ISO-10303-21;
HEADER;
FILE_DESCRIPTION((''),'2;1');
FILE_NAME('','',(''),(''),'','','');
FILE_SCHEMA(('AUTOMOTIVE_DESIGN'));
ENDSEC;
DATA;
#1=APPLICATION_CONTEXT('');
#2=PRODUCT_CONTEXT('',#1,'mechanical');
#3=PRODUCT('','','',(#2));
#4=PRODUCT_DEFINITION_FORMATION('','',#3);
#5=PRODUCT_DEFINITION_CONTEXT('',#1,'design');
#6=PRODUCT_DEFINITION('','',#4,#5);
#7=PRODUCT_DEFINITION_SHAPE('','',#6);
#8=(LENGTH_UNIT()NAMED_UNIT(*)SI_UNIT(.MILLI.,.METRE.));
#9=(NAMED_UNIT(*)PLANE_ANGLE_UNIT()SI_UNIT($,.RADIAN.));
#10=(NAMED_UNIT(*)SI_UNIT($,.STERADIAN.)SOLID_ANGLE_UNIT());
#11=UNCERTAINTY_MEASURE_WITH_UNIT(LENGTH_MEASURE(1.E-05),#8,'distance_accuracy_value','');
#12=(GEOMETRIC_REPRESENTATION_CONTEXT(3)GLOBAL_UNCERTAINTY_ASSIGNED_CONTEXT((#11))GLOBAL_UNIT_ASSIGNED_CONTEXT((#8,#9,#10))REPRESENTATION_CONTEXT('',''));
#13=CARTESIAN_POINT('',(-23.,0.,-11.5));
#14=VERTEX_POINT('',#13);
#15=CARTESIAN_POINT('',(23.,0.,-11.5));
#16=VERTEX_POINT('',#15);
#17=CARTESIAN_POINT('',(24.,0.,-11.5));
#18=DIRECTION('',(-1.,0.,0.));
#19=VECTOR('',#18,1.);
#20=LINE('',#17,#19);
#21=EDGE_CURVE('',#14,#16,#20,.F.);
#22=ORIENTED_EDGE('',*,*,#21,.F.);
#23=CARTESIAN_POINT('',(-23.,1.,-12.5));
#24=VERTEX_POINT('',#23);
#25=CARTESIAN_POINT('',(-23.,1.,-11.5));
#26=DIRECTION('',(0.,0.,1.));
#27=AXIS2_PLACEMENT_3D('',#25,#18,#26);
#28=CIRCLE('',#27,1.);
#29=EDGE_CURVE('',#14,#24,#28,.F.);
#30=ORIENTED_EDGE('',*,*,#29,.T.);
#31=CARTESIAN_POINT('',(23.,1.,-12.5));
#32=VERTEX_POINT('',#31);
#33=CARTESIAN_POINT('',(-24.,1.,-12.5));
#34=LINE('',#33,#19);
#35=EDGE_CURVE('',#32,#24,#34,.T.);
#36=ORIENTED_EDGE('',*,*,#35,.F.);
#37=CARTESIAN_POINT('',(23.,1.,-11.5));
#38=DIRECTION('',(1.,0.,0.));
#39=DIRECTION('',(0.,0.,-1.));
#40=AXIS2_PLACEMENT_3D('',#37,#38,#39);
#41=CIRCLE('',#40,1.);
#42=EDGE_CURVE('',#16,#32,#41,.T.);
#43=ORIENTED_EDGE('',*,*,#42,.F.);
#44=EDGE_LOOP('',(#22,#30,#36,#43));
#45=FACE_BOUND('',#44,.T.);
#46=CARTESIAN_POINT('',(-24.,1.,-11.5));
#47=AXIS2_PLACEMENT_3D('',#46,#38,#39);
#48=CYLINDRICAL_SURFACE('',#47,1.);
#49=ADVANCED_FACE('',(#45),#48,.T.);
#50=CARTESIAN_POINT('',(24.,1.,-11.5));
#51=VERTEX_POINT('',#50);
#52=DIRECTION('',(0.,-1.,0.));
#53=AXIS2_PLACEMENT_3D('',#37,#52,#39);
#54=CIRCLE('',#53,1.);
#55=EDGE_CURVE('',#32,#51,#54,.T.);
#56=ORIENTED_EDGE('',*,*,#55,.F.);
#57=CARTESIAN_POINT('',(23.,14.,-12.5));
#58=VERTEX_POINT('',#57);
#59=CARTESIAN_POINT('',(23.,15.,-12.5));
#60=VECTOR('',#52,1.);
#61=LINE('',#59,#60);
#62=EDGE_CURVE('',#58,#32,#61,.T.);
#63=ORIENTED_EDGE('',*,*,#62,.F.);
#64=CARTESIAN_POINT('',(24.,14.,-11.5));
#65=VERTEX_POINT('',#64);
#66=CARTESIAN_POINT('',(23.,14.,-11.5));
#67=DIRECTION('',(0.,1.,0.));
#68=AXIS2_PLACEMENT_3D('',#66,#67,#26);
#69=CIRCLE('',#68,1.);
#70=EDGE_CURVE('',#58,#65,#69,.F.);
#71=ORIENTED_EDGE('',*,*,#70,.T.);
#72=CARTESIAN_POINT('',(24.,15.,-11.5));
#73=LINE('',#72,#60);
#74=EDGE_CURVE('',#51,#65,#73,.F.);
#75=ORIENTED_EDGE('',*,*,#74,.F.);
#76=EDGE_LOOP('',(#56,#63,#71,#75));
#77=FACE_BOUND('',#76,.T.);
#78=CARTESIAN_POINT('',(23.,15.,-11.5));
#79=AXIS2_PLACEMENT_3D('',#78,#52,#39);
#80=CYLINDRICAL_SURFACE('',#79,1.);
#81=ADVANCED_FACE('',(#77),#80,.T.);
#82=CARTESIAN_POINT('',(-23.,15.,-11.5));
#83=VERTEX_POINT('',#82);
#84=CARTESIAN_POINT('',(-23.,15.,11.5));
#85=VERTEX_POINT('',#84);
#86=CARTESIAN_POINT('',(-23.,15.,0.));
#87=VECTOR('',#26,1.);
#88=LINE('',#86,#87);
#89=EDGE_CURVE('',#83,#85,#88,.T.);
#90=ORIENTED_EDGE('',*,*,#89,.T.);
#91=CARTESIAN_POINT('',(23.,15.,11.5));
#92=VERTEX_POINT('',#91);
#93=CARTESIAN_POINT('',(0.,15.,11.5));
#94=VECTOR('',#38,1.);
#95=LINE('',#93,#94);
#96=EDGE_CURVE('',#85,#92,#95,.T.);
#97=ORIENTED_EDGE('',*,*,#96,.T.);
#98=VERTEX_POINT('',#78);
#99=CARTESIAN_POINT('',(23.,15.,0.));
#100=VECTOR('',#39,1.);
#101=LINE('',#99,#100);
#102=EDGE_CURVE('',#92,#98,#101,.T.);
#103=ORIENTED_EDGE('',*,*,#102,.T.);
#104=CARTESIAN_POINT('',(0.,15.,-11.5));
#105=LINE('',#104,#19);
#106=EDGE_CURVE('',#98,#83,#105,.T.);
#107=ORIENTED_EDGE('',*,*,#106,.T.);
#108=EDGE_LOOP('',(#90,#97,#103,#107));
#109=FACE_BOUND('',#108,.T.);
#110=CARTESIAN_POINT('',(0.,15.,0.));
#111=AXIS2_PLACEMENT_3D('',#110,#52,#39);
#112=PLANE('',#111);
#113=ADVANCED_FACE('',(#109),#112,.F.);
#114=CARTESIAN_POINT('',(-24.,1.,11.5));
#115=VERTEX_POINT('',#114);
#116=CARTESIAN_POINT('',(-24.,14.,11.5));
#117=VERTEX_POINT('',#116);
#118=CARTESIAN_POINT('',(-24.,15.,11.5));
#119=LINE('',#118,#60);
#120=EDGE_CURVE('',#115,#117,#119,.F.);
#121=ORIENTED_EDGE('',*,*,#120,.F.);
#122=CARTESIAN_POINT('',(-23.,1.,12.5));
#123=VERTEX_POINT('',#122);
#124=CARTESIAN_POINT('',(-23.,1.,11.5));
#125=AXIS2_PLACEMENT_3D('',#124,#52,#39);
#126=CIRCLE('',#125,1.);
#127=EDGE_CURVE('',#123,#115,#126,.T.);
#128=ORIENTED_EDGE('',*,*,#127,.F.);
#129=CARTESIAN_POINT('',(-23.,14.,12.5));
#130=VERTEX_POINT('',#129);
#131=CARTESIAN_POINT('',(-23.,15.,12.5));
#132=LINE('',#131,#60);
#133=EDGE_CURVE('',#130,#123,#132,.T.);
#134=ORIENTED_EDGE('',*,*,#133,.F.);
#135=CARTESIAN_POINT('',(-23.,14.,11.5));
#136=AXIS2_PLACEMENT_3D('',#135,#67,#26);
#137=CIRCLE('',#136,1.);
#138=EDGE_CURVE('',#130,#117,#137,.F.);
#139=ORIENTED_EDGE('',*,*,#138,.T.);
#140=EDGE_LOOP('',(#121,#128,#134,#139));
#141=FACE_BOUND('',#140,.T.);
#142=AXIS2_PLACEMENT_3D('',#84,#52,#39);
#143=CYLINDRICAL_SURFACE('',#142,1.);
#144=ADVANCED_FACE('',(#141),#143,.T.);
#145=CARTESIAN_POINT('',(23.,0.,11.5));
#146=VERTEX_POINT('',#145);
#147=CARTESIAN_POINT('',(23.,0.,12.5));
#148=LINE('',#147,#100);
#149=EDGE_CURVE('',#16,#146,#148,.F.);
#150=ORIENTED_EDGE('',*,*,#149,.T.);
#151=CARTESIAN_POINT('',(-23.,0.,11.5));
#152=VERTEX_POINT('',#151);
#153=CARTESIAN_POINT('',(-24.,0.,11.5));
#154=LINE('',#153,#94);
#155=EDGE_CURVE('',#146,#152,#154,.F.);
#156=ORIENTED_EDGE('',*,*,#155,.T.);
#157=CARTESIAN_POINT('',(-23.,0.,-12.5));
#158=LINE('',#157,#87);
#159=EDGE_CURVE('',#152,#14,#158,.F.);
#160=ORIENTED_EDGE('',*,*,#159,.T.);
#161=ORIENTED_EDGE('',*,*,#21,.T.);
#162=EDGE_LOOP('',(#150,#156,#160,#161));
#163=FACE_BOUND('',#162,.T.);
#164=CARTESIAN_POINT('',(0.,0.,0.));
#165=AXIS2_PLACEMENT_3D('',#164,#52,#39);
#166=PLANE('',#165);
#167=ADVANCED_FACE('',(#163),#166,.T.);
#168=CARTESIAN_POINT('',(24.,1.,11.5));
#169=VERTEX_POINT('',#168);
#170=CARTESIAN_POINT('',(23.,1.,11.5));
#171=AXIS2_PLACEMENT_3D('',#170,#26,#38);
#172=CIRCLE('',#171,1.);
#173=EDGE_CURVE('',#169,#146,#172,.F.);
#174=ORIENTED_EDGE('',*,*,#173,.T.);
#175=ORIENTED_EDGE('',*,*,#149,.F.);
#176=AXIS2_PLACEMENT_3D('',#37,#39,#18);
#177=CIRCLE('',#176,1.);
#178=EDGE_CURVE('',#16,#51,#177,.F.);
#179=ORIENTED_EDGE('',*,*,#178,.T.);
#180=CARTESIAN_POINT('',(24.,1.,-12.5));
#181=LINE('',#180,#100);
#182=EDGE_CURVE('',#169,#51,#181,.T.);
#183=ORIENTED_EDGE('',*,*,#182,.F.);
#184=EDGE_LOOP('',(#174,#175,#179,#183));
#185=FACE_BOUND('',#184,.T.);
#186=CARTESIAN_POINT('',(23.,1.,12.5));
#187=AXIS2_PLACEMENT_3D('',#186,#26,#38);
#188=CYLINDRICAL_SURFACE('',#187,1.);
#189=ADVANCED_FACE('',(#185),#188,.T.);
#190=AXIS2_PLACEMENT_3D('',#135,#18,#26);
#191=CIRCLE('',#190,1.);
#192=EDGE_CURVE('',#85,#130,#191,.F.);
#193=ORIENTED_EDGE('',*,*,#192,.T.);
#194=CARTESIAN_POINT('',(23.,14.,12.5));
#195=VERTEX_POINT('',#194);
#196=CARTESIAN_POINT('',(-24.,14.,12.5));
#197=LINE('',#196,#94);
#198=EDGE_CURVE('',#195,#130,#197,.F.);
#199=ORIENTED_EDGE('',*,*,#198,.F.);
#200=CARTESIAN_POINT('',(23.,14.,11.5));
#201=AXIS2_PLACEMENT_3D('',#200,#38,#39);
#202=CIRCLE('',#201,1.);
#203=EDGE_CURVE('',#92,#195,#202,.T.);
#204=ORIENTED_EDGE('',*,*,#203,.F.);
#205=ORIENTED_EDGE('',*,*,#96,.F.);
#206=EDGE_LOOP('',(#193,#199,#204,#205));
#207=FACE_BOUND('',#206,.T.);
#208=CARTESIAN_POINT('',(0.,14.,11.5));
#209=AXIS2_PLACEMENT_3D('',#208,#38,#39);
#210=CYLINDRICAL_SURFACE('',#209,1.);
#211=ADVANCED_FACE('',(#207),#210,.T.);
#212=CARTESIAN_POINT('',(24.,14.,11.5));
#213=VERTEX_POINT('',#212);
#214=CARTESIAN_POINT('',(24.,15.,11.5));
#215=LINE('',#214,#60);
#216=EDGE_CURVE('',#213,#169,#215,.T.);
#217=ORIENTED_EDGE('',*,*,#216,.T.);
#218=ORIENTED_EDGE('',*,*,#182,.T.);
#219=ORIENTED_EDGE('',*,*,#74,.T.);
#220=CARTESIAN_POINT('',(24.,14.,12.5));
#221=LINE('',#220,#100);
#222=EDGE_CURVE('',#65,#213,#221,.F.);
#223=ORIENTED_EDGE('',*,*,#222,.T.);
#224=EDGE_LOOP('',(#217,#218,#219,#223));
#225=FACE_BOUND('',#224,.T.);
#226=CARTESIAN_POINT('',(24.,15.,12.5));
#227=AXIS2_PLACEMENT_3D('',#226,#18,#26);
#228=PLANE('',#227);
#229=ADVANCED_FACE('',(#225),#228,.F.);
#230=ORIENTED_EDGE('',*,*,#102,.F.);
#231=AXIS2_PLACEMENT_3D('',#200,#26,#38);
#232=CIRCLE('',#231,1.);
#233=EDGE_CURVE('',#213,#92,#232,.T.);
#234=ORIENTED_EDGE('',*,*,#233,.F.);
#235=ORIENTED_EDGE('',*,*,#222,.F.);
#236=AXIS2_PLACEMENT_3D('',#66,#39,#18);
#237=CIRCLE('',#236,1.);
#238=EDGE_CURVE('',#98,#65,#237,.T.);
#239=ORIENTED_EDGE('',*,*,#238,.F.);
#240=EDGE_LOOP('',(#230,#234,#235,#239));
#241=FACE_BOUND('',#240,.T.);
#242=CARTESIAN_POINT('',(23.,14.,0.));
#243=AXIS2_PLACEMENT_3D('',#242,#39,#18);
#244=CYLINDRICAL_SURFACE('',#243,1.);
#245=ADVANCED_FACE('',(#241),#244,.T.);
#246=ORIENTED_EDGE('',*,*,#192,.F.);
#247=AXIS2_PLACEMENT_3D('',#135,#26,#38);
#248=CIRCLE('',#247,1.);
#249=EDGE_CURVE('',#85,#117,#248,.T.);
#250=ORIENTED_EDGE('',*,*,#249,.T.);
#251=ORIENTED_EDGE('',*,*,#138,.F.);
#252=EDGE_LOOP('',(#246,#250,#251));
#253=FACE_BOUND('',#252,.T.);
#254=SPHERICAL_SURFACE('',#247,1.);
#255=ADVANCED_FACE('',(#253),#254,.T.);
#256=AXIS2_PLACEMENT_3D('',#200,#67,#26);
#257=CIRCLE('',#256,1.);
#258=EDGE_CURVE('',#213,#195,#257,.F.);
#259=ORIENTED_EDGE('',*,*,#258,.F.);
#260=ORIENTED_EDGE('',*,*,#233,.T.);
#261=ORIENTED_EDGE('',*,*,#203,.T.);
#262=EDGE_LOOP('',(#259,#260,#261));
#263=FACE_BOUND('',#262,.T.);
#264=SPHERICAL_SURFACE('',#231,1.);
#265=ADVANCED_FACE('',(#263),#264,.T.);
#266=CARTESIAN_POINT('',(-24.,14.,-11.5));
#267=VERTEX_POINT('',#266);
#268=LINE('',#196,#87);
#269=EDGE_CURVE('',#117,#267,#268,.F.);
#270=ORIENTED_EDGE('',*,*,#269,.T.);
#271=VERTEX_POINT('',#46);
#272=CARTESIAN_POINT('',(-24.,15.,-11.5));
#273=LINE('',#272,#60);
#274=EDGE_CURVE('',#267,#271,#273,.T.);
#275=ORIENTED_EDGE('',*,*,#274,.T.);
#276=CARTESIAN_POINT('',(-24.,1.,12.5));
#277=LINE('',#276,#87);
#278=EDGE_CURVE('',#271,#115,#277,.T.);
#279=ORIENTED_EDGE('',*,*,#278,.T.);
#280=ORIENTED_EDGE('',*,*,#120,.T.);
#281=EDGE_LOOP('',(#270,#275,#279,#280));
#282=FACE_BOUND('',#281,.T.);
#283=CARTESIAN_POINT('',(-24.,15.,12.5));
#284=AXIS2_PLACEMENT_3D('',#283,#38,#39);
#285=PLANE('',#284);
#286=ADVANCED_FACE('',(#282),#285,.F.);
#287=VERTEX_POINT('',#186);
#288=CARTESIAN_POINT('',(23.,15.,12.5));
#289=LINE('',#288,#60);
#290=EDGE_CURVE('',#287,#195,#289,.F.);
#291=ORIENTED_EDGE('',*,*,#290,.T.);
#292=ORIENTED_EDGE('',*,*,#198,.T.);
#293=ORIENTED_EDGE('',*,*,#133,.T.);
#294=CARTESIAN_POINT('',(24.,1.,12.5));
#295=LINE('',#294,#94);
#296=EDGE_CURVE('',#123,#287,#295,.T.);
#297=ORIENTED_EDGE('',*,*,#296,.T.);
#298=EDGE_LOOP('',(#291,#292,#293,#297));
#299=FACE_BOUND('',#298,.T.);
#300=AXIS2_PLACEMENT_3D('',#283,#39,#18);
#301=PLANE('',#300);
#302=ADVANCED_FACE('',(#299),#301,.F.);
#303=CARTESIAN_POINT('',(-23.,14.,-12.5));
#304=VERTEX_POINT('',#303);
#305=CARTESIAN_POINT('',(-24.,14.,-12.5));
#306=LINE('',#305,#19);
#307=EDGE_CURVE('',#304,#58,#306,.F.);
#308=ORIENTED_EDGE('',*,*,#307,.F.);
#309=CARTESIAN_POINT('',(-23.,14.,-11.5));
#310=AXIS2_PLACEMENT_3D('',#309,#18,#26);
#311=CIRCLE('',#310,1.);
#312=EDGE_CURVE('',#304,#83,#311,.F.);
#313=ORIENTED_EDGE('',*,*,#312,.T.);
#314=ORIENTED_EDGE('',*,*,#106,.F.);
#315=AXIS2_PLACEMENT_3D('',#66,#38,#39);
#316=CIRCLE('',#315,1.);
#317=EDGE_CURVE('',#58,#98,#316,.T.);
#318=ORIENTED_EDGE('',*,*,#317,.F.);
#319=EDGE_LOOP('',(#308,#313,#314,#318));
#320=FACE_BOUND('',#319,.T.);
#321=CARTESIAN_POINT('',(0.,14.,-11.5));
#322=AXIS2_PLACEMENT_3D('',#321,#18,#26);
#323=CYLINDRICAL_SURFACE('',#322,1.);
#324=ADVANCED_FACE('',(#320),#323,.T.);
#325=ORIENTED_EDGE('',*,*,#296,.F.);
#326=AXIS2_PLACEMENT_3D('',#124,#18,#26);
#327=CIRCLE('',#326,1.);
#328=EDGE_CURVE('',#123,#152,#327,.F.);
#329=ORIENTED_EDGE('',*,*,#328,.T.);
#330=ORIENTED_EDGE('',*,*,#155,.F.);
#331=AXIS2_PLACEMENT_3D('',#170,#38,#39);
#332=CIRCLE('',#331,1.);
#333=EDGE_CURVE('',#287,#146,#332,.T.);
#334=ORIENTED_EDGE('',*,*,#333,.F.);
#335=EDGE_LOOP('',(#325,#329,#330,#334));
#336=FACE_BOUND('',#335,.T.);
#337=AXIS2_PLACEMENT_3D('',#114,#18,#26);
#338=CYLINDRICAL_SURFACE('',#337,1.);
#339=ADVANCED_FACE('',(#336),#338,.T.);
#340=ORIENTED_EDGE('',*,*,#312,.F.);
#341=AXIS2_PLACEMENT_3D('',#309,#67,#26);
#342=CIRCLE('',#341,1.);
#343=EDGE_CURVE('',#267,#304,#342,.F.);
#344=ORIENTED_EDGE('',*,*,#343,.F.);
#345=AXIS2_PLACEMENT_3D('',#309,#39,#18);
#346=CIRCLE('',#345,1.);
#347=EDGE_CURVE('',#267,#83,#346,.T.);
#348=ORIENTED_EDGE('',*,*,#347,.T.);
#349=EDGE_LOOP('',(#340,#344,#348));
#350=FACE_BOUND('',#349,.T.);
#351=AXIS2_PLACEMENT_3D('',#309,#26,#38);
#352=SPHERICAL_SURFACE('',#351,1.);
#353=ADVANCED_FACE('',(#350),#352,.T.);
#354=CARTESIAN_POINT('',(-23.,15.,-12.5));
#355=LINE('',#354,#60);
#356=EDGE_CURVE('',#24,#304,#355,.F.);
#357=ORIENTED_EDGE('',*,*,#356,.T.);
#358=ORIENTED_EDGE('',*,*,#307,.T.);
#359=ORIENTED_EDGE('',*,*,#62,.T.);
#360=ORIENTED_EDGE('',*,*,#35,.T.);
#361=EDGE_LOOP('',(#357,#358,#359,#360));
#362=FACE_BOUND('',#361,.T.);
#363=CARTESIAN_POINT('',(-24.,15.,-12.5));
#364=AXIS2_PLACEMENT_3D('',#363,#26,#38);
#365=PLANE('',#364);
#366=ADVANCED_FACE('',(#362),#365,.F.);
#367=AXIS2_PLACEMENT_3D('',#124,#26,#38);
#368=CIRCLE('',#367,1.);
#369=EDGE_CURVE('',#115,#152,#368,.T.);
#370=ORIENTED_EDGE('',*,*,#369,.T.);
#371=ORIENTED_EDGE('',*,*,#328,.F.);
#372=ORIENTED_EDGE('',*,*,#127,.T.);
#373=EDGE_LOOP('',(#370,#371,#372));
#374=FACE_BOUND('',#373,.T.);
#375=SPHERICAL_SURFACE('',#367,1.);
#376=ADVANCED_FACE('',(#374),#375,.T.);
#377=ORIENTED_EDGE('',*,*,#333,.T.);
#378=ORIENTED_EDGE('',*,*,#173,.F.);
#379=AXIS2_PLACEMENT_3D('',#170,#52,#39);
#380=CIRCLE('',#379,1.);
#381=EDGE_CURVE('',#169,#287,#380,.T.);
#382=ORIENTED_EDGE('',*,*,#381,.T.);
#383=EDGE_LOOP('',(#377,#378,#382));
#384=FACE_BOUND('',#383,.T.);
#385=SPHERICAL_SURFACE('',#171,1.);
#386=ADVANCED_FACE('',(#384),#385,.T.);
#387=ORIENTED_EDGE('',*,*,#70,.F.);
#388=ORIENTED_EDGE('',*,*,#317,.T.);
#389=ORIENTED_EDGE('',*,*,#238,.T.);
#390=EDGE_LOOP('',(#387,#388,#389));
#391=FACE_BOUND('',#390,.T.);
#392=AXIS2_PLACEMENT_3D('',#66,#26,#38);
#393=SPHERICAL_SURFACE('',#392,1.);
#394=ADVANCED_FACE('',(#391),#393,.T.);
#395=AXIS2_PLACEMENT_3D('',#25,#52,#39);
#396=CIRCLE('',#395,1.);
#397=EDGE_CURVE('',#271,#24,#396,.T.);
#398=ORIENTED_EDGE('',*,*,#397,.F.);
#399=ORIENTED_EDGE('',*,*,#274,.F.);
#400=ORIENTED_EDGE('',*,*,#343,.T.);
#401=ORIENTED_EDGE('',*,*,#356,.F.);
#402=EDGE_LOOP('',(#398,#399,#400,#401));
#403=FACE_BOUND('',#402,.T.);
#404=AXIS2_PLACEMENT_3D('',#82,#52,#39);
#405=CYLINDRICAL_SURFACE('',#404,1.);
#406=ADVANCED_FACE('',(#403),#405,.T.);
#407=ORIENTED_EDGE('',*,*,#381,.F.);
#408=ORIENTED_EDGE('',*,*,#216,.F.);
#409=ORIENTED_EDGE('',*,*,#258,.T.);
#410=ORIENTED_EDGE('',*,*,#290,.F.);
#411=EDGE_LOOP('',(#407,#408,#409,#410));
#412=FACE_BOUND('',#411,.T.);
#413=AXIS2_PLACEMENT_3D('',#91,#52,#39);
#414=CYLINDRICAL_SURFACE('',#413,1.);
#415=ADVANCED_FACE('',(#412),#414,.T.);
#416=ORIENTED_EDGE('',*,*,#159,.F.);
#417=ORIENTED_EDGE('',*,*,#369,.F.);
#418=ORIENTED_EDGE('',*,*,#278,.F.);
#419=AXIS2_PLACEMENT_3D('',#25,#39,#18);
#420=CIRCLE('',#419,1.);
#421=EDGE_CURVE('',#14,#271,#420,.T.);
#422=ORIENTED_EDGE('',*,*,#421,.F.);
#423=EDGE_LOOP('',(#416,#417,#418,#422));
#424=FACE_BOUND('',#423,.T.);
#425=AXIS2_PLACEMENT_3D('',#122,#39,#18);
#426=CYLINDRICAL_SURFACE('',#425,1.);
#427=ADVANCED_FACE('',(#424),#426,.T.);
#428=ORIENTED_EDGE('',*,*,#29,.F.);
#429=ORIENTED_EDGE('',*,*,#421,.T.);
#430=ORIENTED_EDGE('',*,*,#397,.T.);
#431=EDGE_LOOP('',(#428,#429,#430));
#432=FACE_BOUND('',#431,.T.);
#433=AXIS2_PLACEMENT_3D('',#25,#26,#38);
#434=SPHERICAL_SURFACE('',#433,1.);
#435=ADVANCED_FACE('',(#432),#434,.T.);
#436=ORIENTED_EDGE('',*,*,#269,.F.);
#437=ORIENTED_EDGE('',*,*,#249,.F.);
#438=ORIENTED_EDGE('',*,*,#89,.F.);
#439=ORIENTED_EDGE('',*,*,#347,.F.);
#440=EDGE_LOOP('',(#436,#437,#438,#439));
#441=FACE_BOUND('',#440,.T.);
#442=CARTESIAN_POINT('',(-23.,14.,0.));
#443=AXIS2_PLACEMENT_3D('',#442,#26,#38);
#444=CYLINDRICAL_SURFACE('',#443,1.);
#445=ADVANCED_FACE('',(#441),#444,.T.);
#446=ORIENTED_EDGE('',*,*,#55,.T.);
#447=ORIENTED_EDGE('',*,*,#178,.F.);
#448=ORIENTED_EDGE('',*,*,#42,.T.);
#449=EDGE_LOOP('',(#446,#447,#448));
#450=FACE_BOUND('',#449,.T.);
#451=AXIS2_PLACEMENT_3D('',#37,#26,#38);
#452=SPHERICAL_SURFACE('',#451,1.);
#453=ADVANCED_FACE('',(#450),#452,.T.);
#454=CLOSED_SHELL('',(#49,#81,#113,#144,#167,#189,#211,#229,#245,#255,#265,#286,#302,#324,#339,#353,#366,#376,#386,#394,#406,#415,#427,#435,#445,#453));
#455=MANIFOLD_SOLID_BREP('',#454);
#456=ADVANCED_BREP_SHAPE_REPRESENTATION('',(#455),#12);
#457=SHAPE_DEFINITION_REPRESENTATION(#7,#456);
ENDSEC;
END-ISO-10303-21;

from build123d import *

# Parameters (mm, degrees)
SKETCH1_W           = 48
SKETCH1_H           = 25
BOSS_EXTRUDE1_DEPTH = 15
FILLET1_R           = 1


with BuildPart() as part:
    # Sketch1 → Boss-Extrude1 (new body)
    with BuildSketch(Plane(origin=(0, 0, 0), x_dir=(1, 0, 0), z_dir=(0, 1, 0))):
        Rectangle(SKETCH1_W, SKETCH1_H)
    extrude(amount=BOSS_EXTRUDE1_DEPTH)

    # Fillet1
    fillet1_edges = [part.edges().sort_by_distance(p)[0] for p in [
        (-24, 15, 0),
        (0, 15, 12.5),
        (24, 15, 0),
        (0, 0, 12.5),
        (-24, 0, 0),
        (0, 0, -12.5),
        (24, 0, 0),
        (24, 7.5, 12.5),
        (-24, 7.5, 12.5),
        (-24, 7.5, -12.5),
        (24, 7.5, -12.5),
        (0, 15, -12.5),
    ]]
    fillet(fillet1_edges, radius=FILLET1_R)


solid = part.part
